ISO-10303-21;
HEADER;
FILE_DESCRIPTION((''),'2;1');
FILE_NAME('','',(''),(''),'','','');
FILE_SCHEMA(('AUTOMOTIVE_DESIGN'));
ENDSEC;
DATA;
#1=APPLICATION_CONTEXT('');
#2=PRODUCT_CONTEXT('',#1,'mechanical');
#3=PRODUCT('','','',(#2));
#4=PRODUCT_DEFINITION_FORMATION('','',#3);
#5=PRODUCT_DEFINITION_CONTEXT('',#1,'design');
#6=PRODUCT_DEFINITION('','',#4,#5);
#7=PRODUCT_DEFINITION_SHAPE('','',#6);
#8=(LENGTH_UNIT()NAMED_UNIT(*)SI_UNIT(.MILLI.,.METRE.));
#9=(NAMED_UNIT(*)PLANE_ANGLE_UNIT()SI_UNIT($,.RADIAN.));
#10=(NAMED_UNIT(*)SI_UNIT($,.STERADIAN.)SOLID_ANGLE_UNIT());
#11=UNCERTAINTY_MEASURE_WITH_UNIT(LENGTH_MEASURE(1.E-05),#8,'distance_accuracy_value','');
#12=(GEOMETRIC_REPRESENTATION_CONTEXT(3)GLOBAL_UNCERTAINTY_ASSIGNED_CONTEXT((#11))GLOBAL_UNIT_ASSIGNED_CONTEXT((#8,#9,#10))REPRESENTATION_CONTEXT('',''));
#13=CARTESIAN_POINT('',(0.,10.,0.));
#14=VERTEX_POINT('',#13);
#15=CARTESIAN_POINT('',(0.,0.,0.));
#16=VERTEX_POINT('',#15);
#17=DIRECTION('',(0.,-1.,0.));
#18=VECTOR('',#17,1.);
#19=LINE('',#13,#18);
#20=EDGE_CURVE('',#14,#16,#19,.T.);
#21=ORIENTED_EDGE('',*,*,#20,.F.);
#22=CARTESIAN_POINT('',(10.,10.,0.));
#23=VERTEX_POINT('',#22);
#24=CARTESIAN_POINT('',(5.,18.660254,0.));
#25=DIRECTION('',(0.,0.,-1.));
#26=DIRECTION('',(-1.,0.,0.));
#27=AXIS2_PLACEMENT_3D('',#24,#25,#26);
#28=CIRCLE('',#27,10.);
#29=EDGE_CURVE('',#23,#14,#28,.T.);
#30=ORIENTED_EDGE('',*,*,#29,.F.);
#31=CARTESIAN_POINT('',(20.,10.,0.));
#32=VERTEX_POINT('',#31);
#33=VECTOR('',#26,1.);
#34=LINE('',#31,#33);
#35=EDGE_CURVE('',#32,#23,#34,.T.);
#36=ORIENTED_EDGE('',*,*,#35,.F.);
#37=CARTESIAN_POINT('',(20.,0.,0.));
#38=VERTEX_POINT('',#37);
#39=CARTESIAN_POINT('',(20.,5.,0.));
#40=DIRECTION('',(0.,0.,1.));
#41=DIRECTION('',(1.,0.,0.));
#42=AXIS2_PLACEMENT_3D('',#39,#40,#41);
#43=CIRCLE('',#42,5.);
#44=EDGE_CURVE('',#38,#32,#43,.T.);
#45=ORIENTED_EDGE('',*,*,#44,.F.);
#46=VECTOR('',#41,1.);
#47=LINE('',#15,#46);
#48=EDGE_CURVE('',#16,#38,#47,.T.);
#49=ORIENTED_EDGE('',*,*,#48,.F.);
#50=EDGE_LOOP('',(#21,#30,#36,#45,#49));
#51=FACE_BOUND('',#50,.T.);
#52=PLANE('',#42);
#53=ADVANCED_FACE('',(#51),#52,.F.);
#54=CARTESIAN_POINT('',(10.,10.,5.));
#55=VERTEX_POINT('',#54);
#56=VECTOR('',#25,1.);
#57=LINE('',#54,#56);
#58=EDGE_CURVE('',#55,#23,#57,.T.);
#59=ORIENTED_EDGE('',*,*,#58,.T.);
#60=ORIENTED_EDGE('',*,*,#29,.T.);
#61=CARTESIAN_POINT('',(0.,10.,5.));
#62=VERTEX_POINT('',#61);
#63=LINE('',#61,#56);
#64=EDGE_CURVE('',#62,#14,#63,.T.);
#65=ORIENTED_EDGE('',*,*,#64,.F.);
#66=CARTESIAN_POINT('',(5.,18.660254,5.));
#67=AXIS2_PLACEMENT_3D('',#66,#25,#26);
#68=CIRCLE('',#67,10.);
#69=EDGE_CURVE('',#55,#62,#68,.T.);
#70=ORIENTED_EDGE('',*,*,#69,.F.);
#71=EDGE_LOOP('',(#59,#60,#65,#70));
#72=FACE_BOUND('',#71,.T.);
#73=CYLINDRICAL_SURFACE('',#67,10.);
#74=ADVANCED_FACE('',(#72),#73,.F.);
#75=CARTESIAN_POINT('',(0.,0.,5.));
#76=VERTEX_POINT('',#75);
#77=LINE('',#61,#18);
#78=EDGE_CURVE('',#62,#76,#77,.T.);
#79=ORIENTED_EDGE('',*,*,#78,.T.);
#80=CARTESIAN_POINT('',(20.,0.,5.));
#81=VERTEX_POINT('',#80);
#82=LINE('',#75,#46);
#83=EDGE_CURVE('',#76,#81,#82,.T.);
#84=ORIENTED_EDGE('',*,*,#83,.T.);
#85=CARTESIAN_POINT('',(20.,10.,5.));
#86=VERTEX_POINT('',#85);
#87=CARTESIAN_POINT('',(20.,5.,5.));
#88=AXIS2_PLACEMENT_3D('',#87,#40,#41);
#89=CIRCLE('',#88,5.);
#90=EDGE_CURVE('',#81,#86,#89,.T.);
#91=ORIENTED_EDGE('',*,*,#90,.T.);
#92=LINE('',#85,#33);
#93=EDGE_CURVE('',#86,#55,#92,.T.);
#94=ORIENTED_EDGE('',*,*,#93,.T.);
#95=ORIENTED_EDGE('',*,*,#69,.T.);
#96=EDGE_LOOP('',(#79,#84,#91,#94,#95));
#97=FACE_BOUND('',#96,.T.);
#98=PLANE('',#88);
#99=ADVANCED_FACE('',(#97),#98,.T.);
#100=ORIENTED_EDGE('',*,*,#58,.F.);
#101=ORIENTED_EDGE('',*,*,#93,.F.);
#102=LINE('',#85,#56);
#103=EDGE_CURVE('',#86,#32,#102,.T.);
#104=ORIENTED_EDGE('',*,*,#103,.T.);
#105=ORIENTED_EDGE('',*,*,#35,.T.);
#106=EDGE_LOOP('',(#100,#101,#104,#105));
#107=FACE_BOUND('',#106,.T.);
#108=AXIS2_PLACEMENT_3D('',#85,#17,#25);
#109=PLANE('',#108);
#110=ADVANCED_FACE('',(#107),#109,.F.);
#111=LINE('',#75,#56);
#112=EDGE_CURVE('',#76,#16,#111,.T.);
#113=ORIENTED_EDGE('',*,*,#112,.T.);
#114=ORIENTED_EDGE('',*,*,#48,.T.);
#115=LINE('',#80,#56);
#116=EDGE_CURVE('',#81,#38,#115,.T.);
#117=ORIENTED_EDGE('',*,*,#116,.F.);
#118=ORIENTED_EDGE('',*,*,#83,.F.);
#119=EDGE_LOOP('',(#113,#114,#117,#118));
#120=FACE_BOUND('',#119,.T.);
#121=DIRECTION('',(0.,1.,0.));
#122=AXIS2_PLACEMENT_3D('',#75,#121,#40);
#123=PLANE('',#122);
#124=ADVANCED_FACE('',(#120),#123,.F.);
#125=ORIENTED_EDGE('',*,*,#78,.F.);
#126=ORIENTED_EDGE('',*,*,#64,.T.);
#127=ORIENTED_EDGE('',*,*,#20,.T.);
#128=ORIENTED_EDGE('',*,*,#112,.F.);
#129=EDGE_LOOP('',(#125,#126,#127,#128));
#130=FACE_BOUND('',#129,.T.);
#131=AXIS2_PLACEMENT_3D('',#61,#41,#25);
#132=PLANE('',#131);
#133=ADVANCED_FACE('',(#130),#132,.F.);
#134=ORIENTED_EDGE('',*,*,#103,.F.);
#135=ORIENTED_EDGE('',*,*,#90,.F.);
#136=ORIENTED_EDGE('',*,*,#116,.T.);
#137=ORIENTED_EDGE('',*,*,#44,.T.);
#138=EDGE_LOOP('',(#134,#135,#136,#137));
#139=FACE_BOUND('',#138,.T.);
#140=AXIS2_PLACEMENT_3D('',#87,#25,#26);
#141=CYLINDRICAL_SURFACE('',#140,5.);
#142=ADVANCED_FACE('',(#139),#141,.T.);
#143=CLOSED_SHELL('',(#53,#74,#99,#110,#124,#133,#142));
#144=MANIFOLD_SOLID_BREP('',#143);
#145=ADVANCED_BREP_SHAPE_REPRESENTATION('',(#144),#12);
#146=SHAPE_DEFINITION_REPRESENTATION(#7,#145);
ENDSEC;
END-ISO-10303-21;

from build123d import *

# Parameters (mm, degrees)
BOSS_EXTRUDE1_DEPTH = 5


with BuildPart() as part:
    # Sketch1 → Boss-Extrude1 (new body)
    with BuildSketch(Plane.XY):
        with BuildLine():
            Line((0, 0), (20, 0))
            ThreePointArc((20, 0), (25, 5), (20, 10))
            Line((20, 10), (10, 10))
            ThreePointArc((10, 10), (5, 8.660254038), (0, 10))
            Line((0, 10), (0, 0))
        make_face()
    extrude(amount=BOSS_EXTRUDE1_DEPTH)


solid = part.part
